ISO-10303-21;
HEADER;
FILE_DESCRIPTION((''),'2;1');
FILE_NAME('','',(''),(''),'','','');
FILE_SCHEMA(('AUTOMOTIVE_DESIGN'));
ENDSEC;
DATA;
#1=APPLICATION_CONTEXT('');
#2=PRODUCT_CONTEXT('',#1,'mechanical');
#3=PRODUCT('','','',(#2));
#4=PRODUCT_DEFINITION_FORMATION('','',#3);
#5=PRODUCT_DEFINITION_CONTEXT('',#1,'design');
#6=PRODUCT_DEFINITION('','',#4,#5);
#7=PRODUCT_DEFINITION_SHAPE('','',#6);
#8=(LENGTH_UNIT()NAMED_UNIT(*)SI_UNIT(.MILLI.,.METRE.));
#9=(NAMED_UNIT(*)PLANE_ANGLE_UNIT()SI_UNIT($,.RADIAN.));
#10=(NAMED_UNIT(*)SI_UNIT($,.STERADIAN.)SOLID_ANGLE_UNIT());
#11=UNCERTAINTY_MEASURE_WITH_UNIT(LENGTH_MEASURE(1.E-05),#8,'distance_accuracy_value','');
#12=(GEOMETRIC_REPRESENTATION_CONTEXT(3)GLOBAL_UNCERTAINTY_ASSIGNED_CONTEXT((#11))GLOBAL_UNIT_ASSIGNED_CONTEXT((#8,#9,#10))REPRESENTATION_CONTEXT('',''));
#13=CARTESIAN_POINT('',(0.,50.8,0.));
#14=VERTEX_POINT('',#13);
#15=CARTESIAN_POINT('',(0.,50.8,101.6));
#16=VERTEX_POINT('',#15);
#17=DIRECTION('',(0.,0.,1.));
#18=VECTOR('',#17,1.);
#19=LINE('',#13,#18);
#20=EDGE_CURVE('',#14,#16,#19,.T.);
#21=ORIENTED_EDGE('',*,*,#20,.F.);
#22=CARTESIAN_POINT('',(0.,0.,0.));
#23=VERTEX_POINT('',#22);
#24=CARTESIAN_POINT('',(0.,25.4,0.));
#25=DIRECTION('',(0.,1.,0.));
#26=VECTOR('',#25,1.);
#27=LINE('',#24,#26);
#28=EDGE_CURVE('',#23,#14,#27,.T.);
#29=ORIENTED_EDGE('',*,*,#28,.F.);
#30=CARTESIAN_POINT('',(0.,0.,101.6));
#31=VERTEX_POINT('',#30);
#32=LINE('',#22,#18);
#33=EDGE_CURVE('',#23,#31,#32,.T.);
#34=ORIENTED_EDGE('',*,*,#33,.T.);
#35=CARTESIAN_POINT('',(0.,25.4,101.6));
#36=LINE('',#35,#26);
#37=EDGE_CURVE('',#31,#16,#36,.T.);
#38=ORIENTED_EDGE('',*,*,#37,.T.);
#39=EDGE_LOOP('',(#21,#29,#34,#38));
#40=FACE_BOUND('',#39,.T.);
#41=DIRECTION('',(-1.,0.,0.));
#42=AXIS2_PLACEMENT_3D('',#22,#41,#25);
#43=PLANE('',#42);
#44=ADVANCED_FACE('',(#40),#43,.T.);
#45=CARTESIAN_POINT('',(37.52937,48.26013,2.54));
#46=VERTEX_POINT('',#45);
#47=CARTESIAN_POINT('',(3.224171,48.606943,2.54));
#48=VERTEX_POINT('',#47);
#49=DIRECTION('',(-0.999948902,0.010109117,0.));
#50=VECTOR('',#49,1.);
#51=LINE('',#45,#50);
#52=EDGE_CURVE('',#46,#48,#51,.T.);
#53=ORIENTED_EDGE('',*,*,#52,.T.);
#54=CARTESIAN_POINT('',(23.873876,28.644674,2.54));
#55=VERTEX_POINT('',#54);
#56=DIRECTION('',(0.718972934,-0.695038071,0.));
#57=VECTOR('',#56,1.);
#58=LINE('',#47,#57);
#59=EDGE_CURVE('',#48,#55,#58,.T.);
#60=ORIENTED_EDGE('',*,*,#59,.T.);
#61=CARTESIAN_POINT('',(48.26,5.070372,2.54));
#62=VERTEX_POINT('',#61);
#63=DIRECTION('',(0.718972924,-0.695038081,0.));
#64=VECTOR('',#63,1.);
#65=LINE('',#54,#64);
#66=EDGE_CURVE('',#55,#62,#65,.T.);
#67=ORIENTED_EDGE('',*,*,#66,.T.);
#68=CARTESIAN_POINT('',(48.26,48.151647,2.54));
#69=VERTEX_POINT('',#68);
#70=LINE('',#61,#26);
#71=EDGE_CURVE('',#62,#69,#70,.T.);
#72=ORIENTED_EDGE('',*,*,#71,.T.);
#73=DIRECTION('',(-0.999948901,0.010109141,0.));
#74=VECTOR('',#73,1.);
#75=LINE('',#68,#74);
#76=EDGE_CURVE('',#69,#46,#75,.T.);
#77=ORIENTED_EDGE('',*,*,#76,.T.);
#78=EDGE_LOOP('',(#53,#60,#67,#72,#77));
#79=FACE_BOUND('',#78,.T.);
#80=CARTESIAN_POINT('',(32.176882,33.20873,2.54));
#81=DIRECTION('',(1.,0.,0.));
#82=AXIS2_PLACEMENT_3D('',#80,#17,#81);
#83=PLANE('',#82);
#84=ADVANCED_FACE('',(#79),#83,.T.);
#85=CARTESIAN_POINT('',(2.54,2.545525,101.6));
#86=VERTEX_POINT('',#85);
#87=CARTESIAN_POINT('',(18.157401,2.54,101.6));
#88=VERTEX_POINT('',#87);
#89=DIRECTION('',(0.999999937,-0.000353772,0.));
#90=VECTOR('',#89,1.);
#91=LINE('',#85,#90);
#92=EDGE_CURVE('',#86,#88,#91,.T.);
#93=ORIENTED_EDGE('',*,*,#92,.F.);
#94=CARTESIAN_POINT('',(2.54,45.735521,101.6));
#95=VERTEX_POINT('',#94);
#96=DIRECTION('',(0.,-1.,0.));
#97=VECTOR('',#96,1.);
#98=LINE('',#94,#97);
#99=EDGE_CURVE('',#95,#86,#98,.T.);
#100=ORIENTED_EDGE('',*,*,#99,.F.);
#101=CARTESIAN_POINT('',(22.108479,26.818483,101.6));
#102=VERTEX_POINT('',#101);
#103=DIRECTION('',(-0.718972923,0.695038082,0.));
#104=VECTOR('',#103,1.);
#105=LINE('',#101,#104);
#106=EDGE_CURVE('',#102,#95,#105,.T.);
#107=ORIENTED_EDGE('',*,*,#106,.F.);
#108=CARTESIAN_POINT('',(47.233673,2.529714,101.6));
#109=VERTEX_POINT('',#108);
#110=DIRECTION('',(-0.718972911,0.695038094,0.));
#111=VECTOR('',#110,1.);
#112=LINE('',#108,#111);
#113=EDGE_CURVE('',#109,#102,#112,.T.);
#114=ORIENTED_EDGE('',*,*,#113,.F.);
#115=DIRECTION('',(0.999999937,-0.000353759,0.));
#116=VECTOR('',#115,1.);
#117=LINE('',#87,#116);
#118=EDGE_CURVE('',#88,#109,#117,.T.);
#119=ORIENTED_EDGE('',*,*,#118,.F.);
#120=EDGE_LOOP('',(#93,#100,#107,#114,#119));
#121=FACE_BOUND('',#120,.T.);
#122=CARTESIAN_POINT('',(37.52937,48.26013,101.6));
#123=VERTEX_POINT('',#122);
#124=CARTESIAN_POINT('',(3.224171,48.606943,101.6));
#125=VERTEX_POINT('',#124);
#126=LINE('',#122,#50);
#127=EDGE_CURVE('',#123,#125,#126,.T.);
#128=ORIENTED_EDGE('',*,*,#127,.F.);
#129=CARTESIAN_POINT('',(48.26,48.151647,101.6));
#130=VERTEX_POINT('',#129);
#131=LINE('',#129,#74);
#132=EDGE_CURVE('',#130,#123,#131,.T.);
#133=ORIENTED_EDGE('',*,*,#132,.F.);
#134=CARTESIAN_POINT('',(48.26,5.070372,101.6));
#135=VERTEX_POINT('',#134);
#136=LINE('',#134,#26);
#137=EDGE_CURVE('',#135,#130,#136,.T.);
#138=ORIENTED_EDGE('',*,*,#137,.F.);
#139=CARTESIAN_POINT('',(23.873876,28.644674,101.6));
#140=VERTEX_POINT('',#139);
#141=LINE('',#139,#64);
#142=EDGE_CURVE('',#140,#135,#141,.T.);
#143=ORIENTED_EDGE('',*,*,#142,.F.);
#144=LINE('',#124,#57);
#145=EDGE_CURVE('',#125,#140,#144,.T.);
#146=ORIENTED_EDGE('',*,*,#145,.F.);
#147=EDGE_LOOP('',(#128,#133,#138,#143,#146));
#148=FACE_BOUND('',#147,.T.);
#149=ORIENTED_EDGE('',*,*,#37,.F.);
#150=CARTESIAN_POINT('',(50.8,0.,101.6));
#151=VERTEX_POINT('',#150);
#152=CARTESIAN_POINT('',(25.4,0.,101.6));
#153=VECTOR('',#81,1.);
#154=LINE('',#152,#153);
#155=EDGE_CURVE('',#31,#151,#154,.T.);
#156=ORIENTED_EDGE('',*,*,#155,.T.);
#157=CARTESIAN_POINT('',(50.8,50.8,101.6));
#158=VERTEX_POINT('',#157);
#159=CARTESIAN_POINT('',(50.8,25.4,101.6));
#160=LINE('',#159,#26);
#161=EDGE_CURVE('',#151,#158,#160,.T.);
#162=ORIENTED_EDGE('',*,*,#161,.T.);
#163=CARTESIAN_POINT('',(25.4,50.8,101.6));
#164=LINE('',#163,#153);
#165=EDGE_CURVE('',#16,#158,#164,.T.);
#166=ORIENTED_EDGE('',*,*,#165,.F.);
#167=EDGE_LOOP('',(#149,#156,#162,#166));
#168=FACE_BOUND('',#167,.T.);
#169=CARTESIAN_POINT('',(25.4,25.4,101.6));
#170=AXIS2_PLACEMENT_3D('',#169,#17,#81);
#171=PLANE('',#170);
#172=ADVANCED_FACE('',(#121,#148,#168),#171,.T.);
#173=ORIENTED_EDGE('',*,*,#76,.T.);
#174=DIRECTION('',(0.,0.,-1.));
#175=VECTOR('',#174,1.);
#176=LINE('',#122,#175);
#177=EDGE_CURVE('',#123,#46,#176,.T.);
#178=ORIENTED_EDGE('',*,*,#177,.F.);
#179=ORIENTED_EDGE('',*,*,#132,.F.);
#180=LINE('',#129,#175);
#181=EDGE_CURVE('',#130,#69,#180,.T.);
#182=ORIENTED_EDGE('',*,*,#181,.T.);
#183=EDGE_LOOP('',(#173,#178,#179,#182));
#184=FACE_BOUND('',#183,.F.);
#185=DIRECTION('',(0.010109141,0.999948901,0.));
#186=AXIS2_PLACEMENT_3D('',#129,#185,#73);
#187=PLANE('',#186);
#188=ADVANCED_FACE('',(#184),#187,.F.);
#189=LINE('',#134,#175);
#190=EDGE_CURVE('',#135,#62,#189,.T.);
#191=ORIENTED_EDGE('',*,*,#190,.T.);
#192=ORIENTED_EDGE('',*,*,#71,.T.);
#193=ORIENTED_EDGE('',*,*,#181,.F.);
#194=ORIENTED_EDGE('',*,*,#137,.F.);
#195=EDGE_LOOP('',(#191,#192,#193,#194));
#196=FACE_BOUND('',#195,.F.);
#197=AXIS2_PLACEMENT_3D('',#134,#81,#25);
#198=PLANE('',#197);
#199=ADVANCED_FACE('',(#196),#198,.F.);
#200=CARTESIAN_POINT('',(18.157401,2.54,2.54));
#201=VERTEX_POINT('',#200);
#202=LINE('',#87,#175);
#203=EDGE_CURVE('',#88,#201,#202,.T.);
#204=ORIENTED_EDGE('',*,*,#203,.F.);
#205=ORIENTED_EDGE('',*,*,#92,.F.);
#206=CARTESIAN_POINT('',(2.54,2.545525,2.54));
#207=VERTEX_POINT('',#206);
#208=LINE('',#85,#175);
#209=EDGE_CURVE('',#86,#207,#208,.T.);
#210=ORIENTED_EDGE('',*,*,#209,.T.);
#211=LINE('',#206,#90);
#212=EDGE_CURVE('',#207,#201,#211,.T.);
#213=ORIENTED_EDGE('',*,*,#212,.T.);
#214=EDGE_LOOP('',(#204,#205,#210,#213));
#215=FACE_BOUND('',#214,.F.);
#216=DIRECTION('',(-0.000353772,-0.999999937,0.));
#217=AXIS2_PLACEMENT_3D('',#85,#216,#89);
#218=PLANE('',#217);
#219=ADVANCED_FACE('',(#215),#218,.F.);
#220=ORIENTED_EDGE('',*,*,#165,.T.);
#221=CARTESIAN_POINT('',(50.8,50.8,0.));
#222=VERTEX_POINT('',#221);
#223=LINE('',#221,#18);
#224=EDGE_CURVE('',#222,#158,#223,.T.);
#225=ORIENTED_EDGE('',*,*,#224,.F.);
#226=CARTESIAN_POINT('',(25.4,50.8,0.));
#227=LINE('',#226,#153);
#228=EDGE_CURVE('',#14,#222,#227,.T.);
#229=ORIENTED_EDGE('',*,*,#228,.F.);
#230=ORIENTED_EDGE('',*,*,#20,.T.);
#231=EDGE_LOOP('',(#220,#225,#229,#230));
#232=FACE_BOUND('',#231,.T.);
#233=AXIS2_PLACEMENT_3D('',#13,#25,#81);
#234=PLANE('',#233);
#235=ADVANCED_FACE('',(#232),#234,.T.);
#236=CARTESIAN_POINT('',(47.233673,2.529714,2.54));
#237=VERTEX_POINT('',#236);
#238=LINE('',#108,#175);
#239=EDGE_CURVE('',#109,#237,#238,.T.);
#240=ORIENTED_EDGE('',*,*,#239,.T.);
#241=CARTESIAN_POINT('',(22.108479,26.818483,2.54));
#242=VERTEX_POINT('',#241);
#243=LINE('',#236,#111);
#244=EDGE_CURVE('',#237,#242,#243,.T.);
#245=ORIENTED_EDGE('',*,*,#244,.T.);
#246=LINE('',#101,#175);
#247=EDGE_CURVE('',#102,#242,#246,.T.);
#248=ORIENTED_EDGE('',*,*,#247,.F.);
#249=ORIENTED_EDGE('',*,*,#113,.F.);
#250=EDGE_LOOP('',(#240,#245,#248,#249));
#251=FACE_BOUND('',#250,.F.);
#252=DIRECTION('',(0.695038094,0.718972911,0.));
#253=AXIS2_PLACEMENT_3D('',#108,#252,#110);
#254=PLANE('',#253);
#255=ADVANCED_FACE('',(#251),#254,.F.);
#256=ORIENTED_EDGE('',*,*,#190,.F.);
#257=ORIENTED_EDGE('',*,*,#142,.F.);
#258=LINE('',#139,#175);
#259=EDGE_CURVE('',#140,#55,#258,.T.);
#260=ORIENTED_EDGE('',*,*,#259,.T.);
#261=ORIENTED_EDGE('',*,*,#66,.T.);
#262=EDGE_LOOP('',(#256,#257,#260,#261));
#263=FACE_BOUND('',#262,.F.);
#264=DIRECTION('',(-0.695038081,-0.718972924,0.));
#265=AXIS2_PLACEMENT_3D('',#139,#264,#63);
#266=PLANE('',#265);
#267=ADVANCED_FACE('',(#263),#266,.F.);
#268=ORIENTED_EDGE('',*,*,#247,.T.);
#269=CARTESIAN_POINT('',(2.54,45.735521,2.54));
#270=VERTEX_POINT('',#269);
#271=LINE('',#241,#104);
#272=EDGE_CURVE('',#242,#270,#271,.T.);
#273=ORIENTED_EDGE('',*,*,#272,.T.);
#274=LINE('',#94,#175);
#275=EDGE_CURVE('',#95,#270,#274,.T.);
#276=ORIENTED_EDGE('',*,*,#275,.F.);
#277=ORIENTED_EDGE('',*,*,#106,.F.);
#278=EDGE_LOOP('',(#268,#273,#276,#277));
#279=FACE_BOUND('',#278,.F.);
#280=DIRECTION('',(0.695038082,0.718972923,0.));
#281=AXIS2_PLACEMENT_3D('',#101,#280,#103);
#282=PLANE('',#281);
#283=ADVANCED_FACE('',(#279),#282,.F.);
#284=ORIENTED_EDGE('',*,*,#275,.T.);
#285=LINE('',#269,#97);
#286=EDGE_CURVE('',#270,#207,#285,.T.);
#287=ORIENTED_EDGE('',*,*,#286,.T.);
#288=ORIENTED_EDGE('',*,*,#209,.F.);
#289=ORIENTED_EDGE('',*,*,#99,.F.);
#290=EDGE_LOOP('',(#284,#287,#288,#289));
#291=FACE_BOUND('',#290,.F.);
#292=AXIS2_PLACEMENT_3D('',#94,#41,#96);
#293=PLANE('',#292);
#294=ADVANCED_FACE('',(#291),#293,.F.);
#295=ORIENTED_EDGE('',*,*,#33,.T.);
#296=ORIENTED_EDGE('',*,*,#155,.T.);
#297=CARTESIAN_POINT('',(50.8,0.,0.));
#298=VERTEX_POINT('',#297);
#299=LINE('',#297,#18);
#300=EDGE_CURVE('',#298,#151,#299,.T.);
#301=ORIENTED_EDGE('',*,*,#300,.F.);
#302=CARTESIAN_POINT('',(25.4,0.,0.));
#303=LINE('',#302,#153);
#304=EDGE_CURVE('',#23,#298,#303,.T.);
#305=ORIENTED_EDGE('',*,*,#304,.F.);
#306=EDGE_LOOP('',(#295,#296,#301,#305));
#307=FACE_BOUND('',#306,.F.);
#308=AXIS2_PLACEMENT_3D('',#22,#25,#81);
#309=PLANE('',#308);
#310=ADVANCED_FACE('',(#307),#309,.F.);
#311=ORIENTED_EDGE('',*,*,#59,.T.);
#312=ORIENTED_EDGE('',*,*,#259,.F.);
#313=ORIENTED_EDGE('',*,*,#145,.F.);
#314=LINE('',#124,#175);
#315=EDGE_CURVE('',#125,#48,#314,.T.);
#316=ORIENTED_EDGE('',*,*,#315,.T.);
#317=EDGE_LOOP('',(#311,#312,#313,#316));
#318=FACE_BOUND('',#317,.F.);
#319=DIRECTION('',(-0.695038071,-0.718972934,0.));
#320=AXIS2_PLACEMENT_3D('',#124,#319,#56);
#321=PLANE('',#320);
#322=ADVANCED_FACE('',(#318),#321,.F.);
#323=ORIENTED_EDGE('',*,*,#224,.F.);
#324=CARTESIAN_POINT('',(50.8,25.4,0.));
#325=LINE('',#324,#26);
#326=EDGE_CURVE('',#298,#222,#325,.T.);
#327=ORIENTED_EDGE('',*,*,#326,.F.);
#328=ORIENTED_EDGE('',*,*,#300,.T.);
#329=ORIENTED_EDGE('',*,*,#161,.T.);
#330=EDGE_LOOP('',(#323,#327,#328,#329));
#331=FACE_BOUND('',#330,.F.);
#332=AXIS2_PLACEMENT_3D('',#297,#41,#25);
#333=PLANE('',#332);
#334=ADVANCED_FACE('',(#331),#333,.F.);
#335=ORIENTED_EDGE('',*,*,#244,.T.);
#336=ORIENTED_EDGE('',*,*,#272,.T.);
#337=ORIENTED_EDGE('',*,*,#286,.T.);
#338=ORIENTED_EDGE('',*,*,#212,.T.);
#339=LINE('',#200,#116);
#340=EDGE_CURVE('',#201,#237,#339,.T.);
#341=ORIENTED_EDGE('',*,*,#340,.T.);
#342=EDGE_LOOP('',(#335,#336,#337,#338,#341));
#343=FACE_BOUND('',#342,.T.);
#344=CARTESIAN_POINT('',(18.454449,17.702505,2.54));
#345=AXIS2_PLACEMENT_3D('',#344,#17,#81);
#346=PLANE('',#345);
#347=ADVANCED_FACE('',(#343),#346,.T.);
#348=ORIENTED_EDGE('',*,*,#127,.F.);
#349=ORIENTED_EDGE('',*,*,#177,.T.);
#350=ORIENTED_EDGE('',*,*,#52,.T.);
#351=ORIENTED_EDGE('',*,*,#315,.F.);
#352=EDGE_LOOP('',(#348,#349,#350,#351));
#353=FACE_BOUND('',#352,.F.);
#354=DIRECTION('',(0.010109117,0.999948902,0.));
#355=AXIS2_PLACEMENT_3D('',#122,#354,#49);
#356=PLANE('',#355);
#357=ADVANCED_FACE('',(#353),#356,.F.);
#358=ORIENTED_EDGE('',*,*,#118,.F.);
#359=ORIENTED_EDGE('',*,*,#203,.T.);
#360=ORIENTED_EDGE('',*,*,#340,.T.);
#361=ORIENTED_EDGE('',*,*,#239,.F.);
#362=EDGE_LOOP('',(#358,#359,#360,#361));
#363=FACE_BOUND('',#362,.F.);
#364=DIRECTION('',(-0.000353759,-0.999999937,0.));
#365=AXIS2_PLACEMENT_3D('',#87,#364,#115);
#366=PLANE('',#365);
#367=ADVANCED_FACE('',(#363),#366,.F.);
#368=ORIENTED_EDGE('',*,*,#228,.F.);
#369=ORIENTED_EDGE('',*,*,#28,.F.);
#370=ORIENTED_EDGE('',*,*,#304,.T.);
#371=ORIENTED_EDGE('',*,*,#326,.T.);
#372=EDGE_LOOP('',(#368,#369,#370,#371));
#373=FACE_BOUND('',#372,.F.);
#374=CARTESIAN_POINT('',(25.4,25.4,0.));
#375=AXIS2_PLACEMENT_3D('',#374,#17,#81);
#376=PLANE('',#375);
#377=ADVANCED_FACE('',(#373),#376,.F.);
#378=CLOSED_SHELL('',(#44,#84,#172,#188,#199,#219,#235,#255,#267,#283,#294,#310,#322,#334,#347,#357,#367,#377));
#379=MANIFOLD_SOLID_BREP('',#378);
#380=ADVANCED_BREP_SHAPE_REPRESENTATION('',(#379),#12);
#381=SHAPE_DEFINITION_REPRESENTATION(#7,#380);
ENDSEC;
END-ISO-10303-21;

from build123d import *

# Parameters (mm, degrees)
F0_W     = 50.8
F0_H     = 50.8
F1_DEPTH = 101.6
F3_DEPTH = 99.06
F4_DEPTH = 99.06


with BuildPart() as f1:
    # F0 (on Top) → F1 (new body)
    with BuildSketch(Plane.XY):
        with Locations((25.4, 25.4)):
            Rectangle(F0_W, F0_H)
    extrude(amount=F1_DEPTH)

    # F2 (on face) → F3 (cut)
    with BuildSketch(Plane.XY.offset(101.6)):
        Polygon((2.54, 7.489045), (2.54, 2.545525), (18.157401, 2.54), (47.233673, 2.529714), (22.108479, 26.818483), (2.54, 45.735521), align=None)
    extrude(amount=-F3_DEPTH, mode=Mode.SUBTRACT)

    # F2 (on face) → F4 (cut)
    with BuildSketch(Plane.XY.offset(101.6)):
        Polygon((3.224171, 48.606943), (23.873876, 28.644674), (48.26, 5.070372), (48.26, 33.179211), (48.26, 48.151647), (37.52937, 48.26013), align=None)
    extrude(amount=-F4_DEPTH, mode=Mode.SUBTRACT)


solid = f1.part
